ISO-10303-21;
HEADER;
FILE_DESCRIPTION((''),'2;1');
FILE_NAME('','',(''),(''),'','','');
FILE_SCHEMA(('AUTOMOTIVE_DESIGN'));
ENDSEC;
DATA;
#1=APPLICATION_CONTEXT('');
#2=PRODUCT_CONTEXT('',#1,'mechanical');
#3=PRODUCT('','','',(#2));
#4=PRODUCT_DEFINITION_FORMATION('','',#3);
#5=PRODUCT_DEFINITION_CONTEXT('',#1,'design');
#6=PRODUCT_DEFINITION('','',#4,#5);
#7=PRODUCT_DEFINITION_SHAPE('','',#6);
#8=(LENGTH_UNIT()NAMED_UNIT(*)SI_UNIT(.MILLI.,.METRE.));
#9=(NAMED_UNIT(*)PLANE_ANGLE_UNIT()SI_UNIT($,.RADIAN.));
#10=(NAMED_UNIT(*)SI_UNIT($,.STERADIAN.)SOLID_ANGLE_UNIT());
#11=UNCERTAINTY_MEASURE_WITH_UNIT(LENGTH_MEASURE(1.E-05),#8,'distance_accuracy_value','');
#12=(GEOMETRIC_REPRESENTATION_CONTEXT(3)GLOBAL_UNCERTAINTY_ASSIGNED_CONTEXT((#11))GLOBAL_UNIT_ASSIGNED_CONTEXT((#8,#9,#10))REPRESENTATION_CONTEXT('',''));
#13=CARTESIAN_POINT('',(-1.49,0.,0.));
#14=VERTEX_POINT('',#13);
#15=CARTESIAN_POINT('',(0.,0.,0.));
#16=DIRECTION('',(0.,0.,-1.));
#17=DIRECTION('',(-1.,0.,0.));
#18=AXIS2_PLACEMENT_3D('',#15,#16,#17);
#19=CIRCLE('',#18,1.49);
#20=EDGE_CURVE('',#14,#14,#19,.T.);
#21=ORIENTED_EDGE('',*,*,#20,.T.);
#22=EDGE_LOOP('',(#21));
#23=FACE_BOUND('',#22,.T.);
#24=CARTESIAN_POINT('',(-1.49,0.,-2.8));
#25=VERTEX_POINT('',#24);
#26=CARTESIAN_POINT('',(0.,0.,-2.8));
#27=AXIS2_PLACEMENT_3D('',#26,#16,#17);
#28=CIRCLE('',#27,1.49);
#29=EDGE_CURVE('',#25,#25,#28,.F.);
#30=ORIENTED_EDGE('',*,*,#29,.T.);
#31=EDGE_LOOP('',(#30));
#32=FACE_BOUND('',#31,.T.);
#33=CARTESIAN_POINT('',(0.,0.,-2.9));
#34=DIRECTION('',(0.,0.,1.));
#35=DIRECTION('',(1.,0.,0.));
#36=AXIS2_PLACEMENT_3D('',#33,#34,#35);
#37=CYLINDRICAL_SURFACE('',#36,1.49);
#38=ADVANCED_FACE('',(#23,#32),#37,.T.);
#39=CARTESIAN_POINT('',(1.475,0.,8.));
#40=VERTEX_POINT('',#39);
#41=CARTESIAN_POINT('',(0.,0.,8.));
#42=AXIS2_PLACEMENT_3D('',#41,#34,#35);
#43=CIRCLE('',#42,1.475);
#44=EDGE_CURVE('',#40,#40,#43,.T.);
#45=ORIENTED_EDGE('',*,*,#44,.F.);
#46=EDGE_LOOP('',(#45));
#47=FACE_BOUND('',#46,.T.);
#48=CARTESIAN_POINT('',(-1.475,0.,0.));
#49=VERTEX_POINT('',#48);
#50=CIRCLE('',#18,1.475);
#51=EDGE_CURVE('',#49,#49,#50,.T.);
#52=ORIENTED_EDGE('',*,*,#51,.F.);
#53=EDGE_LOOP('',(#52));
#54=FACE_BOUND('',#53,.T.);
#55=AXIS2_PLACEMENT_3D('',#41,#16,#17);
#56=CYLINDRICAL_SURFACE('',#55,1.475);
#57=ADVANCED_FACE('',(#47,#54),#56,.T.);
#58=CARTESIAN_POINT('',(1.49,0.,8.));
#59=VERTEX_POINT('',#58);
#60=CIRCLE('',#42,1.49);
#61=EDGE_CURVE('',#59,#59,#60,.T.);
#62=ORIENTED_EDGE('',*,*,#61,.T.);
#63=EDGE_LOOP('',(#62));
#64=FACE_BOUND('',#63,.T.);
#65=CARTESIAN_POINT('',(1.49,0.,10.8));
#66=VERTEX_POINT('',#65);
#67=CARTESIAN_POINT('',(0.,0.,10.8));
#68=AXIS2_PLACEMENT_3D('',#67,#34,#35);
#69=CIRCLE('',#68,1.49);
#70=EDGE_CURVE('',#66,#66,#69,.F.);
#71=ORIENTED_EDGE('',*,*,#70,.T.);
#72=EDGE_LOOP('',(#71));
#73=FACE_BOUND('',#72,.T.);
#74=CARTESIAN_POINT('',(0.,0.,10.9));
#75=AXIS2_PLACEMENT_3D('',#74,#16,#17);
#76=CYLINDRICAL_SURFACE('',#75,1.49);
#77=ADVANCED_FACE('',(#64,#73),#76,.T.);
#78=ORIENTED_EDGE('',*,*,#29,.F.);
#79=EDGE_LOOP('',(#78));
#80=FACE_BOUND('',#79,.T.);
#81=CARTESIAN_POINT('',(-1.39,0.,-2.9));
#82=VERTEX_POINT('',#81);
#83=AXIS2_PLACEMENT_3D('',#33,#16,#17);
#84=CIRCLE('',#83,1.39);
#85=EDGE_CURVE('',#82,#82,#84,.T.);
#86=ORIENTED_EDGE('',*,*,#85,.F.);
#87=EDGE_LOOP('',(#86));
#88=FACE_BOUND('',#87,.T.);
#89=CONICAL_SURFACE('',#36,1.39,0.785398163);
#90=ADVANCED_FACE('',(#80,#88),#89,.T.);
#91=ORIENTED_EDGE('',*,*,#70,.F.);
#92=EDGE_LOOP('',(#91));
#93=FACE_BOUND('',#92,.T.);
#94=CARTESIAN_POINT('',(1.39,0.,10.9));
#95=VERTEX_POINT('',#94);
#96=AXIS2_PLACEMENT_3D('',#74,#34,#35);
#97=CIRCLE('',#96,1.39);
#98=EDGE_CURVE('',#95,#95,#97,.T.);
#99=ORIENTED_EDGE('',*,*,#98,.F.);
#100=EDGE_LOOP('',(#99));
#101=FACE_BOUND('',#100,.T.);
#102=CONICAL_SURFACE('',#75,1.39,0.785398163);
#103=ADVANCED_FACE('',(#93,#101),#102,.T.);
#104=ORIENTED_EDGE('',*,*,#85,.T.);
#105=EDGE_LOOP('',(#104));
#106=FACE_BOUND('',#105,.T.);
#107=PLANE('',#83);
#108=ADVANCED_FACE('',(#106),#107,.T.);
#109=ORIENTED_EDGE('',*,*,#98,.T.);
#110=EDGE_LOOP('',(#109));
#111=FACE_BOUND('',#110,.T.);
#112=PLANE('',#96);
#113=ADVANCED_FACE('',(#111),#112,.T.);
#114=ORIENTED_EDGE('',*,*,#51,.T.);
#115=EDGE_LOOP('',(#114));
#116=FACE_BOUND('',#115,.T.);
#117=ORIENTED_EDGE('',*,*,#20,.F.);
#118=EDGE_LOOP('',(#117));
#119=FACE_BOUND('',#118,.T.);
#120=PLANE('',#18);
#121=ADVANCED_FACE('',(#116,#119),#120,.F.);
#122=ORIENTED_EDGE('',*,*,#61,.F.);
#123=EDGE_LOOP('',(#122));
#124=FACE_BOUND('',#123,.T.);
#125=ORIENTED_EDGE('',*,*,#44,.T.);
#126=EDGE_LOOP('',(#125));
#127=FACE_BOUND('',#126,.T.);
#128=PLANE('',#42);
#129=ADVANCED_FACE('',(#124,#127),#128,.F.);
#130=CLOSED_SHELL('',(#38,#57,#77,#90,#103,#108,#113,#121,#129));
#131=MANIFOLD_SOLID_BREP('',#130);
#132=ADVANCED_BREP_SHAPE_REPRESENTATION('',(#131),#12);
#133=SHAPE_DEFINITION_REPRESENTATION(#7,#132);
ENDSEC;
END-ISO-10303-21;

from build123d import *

# Parameters (mm, degrees)
SKETCH_1_R      = 1.475
EXTRUDE_1_DEPTH = 8
SKETCH_2_R      = 1.49
EXTRUDE_2_DEPTH = 2.9
EXTRUDE_START   = 2.9
SKETCH_3_R      = 1.49
EXTRUDE_3_DEPTH = 2.9
CHAMFER_1_SIZE  = 0.1


with BuildPart() as part:
    # 스케치1 → 보스-돌출1 (new body)
    with BuildSketch(Plane.XY):
        Circle(SKETCH_1_R)
    extrude(amount=EXTRUDE_1_DEPTH)

    # 스케치2 → 보스-돌출2 (add)
    with BuildSketch(Plane(origin=(0, 0, 0), x_dir=(-1, 0, 0), z_dir=(0, 0, -1))):
        Circle(SKETCH_2_R)
    extrude(amount=EXTRUDE_2_DEPTH)

    # 스케치3 → 보스-돌출3 (add)
    with BuildSketch(Plane.XY.offset(8).offset(EXTRUDE_START)):
        with Locations(Location((0, 0, 0), (0, 0, 180))):
            Circle(SKETCH_3_R)
    extrude(amount=-EXTRUDE_3_DEPTH)

    # 모따기1
    chamfer_1_edges = [part.edges().sort_by_distance(p)[0] for p in [
        (1.49, 0, -2.9),
        (1.49, 0, 10.9),
    ]]
    chamfer(chamfer_1_edges, length=CHAMFER_1_SIZE)


solid = part.part
